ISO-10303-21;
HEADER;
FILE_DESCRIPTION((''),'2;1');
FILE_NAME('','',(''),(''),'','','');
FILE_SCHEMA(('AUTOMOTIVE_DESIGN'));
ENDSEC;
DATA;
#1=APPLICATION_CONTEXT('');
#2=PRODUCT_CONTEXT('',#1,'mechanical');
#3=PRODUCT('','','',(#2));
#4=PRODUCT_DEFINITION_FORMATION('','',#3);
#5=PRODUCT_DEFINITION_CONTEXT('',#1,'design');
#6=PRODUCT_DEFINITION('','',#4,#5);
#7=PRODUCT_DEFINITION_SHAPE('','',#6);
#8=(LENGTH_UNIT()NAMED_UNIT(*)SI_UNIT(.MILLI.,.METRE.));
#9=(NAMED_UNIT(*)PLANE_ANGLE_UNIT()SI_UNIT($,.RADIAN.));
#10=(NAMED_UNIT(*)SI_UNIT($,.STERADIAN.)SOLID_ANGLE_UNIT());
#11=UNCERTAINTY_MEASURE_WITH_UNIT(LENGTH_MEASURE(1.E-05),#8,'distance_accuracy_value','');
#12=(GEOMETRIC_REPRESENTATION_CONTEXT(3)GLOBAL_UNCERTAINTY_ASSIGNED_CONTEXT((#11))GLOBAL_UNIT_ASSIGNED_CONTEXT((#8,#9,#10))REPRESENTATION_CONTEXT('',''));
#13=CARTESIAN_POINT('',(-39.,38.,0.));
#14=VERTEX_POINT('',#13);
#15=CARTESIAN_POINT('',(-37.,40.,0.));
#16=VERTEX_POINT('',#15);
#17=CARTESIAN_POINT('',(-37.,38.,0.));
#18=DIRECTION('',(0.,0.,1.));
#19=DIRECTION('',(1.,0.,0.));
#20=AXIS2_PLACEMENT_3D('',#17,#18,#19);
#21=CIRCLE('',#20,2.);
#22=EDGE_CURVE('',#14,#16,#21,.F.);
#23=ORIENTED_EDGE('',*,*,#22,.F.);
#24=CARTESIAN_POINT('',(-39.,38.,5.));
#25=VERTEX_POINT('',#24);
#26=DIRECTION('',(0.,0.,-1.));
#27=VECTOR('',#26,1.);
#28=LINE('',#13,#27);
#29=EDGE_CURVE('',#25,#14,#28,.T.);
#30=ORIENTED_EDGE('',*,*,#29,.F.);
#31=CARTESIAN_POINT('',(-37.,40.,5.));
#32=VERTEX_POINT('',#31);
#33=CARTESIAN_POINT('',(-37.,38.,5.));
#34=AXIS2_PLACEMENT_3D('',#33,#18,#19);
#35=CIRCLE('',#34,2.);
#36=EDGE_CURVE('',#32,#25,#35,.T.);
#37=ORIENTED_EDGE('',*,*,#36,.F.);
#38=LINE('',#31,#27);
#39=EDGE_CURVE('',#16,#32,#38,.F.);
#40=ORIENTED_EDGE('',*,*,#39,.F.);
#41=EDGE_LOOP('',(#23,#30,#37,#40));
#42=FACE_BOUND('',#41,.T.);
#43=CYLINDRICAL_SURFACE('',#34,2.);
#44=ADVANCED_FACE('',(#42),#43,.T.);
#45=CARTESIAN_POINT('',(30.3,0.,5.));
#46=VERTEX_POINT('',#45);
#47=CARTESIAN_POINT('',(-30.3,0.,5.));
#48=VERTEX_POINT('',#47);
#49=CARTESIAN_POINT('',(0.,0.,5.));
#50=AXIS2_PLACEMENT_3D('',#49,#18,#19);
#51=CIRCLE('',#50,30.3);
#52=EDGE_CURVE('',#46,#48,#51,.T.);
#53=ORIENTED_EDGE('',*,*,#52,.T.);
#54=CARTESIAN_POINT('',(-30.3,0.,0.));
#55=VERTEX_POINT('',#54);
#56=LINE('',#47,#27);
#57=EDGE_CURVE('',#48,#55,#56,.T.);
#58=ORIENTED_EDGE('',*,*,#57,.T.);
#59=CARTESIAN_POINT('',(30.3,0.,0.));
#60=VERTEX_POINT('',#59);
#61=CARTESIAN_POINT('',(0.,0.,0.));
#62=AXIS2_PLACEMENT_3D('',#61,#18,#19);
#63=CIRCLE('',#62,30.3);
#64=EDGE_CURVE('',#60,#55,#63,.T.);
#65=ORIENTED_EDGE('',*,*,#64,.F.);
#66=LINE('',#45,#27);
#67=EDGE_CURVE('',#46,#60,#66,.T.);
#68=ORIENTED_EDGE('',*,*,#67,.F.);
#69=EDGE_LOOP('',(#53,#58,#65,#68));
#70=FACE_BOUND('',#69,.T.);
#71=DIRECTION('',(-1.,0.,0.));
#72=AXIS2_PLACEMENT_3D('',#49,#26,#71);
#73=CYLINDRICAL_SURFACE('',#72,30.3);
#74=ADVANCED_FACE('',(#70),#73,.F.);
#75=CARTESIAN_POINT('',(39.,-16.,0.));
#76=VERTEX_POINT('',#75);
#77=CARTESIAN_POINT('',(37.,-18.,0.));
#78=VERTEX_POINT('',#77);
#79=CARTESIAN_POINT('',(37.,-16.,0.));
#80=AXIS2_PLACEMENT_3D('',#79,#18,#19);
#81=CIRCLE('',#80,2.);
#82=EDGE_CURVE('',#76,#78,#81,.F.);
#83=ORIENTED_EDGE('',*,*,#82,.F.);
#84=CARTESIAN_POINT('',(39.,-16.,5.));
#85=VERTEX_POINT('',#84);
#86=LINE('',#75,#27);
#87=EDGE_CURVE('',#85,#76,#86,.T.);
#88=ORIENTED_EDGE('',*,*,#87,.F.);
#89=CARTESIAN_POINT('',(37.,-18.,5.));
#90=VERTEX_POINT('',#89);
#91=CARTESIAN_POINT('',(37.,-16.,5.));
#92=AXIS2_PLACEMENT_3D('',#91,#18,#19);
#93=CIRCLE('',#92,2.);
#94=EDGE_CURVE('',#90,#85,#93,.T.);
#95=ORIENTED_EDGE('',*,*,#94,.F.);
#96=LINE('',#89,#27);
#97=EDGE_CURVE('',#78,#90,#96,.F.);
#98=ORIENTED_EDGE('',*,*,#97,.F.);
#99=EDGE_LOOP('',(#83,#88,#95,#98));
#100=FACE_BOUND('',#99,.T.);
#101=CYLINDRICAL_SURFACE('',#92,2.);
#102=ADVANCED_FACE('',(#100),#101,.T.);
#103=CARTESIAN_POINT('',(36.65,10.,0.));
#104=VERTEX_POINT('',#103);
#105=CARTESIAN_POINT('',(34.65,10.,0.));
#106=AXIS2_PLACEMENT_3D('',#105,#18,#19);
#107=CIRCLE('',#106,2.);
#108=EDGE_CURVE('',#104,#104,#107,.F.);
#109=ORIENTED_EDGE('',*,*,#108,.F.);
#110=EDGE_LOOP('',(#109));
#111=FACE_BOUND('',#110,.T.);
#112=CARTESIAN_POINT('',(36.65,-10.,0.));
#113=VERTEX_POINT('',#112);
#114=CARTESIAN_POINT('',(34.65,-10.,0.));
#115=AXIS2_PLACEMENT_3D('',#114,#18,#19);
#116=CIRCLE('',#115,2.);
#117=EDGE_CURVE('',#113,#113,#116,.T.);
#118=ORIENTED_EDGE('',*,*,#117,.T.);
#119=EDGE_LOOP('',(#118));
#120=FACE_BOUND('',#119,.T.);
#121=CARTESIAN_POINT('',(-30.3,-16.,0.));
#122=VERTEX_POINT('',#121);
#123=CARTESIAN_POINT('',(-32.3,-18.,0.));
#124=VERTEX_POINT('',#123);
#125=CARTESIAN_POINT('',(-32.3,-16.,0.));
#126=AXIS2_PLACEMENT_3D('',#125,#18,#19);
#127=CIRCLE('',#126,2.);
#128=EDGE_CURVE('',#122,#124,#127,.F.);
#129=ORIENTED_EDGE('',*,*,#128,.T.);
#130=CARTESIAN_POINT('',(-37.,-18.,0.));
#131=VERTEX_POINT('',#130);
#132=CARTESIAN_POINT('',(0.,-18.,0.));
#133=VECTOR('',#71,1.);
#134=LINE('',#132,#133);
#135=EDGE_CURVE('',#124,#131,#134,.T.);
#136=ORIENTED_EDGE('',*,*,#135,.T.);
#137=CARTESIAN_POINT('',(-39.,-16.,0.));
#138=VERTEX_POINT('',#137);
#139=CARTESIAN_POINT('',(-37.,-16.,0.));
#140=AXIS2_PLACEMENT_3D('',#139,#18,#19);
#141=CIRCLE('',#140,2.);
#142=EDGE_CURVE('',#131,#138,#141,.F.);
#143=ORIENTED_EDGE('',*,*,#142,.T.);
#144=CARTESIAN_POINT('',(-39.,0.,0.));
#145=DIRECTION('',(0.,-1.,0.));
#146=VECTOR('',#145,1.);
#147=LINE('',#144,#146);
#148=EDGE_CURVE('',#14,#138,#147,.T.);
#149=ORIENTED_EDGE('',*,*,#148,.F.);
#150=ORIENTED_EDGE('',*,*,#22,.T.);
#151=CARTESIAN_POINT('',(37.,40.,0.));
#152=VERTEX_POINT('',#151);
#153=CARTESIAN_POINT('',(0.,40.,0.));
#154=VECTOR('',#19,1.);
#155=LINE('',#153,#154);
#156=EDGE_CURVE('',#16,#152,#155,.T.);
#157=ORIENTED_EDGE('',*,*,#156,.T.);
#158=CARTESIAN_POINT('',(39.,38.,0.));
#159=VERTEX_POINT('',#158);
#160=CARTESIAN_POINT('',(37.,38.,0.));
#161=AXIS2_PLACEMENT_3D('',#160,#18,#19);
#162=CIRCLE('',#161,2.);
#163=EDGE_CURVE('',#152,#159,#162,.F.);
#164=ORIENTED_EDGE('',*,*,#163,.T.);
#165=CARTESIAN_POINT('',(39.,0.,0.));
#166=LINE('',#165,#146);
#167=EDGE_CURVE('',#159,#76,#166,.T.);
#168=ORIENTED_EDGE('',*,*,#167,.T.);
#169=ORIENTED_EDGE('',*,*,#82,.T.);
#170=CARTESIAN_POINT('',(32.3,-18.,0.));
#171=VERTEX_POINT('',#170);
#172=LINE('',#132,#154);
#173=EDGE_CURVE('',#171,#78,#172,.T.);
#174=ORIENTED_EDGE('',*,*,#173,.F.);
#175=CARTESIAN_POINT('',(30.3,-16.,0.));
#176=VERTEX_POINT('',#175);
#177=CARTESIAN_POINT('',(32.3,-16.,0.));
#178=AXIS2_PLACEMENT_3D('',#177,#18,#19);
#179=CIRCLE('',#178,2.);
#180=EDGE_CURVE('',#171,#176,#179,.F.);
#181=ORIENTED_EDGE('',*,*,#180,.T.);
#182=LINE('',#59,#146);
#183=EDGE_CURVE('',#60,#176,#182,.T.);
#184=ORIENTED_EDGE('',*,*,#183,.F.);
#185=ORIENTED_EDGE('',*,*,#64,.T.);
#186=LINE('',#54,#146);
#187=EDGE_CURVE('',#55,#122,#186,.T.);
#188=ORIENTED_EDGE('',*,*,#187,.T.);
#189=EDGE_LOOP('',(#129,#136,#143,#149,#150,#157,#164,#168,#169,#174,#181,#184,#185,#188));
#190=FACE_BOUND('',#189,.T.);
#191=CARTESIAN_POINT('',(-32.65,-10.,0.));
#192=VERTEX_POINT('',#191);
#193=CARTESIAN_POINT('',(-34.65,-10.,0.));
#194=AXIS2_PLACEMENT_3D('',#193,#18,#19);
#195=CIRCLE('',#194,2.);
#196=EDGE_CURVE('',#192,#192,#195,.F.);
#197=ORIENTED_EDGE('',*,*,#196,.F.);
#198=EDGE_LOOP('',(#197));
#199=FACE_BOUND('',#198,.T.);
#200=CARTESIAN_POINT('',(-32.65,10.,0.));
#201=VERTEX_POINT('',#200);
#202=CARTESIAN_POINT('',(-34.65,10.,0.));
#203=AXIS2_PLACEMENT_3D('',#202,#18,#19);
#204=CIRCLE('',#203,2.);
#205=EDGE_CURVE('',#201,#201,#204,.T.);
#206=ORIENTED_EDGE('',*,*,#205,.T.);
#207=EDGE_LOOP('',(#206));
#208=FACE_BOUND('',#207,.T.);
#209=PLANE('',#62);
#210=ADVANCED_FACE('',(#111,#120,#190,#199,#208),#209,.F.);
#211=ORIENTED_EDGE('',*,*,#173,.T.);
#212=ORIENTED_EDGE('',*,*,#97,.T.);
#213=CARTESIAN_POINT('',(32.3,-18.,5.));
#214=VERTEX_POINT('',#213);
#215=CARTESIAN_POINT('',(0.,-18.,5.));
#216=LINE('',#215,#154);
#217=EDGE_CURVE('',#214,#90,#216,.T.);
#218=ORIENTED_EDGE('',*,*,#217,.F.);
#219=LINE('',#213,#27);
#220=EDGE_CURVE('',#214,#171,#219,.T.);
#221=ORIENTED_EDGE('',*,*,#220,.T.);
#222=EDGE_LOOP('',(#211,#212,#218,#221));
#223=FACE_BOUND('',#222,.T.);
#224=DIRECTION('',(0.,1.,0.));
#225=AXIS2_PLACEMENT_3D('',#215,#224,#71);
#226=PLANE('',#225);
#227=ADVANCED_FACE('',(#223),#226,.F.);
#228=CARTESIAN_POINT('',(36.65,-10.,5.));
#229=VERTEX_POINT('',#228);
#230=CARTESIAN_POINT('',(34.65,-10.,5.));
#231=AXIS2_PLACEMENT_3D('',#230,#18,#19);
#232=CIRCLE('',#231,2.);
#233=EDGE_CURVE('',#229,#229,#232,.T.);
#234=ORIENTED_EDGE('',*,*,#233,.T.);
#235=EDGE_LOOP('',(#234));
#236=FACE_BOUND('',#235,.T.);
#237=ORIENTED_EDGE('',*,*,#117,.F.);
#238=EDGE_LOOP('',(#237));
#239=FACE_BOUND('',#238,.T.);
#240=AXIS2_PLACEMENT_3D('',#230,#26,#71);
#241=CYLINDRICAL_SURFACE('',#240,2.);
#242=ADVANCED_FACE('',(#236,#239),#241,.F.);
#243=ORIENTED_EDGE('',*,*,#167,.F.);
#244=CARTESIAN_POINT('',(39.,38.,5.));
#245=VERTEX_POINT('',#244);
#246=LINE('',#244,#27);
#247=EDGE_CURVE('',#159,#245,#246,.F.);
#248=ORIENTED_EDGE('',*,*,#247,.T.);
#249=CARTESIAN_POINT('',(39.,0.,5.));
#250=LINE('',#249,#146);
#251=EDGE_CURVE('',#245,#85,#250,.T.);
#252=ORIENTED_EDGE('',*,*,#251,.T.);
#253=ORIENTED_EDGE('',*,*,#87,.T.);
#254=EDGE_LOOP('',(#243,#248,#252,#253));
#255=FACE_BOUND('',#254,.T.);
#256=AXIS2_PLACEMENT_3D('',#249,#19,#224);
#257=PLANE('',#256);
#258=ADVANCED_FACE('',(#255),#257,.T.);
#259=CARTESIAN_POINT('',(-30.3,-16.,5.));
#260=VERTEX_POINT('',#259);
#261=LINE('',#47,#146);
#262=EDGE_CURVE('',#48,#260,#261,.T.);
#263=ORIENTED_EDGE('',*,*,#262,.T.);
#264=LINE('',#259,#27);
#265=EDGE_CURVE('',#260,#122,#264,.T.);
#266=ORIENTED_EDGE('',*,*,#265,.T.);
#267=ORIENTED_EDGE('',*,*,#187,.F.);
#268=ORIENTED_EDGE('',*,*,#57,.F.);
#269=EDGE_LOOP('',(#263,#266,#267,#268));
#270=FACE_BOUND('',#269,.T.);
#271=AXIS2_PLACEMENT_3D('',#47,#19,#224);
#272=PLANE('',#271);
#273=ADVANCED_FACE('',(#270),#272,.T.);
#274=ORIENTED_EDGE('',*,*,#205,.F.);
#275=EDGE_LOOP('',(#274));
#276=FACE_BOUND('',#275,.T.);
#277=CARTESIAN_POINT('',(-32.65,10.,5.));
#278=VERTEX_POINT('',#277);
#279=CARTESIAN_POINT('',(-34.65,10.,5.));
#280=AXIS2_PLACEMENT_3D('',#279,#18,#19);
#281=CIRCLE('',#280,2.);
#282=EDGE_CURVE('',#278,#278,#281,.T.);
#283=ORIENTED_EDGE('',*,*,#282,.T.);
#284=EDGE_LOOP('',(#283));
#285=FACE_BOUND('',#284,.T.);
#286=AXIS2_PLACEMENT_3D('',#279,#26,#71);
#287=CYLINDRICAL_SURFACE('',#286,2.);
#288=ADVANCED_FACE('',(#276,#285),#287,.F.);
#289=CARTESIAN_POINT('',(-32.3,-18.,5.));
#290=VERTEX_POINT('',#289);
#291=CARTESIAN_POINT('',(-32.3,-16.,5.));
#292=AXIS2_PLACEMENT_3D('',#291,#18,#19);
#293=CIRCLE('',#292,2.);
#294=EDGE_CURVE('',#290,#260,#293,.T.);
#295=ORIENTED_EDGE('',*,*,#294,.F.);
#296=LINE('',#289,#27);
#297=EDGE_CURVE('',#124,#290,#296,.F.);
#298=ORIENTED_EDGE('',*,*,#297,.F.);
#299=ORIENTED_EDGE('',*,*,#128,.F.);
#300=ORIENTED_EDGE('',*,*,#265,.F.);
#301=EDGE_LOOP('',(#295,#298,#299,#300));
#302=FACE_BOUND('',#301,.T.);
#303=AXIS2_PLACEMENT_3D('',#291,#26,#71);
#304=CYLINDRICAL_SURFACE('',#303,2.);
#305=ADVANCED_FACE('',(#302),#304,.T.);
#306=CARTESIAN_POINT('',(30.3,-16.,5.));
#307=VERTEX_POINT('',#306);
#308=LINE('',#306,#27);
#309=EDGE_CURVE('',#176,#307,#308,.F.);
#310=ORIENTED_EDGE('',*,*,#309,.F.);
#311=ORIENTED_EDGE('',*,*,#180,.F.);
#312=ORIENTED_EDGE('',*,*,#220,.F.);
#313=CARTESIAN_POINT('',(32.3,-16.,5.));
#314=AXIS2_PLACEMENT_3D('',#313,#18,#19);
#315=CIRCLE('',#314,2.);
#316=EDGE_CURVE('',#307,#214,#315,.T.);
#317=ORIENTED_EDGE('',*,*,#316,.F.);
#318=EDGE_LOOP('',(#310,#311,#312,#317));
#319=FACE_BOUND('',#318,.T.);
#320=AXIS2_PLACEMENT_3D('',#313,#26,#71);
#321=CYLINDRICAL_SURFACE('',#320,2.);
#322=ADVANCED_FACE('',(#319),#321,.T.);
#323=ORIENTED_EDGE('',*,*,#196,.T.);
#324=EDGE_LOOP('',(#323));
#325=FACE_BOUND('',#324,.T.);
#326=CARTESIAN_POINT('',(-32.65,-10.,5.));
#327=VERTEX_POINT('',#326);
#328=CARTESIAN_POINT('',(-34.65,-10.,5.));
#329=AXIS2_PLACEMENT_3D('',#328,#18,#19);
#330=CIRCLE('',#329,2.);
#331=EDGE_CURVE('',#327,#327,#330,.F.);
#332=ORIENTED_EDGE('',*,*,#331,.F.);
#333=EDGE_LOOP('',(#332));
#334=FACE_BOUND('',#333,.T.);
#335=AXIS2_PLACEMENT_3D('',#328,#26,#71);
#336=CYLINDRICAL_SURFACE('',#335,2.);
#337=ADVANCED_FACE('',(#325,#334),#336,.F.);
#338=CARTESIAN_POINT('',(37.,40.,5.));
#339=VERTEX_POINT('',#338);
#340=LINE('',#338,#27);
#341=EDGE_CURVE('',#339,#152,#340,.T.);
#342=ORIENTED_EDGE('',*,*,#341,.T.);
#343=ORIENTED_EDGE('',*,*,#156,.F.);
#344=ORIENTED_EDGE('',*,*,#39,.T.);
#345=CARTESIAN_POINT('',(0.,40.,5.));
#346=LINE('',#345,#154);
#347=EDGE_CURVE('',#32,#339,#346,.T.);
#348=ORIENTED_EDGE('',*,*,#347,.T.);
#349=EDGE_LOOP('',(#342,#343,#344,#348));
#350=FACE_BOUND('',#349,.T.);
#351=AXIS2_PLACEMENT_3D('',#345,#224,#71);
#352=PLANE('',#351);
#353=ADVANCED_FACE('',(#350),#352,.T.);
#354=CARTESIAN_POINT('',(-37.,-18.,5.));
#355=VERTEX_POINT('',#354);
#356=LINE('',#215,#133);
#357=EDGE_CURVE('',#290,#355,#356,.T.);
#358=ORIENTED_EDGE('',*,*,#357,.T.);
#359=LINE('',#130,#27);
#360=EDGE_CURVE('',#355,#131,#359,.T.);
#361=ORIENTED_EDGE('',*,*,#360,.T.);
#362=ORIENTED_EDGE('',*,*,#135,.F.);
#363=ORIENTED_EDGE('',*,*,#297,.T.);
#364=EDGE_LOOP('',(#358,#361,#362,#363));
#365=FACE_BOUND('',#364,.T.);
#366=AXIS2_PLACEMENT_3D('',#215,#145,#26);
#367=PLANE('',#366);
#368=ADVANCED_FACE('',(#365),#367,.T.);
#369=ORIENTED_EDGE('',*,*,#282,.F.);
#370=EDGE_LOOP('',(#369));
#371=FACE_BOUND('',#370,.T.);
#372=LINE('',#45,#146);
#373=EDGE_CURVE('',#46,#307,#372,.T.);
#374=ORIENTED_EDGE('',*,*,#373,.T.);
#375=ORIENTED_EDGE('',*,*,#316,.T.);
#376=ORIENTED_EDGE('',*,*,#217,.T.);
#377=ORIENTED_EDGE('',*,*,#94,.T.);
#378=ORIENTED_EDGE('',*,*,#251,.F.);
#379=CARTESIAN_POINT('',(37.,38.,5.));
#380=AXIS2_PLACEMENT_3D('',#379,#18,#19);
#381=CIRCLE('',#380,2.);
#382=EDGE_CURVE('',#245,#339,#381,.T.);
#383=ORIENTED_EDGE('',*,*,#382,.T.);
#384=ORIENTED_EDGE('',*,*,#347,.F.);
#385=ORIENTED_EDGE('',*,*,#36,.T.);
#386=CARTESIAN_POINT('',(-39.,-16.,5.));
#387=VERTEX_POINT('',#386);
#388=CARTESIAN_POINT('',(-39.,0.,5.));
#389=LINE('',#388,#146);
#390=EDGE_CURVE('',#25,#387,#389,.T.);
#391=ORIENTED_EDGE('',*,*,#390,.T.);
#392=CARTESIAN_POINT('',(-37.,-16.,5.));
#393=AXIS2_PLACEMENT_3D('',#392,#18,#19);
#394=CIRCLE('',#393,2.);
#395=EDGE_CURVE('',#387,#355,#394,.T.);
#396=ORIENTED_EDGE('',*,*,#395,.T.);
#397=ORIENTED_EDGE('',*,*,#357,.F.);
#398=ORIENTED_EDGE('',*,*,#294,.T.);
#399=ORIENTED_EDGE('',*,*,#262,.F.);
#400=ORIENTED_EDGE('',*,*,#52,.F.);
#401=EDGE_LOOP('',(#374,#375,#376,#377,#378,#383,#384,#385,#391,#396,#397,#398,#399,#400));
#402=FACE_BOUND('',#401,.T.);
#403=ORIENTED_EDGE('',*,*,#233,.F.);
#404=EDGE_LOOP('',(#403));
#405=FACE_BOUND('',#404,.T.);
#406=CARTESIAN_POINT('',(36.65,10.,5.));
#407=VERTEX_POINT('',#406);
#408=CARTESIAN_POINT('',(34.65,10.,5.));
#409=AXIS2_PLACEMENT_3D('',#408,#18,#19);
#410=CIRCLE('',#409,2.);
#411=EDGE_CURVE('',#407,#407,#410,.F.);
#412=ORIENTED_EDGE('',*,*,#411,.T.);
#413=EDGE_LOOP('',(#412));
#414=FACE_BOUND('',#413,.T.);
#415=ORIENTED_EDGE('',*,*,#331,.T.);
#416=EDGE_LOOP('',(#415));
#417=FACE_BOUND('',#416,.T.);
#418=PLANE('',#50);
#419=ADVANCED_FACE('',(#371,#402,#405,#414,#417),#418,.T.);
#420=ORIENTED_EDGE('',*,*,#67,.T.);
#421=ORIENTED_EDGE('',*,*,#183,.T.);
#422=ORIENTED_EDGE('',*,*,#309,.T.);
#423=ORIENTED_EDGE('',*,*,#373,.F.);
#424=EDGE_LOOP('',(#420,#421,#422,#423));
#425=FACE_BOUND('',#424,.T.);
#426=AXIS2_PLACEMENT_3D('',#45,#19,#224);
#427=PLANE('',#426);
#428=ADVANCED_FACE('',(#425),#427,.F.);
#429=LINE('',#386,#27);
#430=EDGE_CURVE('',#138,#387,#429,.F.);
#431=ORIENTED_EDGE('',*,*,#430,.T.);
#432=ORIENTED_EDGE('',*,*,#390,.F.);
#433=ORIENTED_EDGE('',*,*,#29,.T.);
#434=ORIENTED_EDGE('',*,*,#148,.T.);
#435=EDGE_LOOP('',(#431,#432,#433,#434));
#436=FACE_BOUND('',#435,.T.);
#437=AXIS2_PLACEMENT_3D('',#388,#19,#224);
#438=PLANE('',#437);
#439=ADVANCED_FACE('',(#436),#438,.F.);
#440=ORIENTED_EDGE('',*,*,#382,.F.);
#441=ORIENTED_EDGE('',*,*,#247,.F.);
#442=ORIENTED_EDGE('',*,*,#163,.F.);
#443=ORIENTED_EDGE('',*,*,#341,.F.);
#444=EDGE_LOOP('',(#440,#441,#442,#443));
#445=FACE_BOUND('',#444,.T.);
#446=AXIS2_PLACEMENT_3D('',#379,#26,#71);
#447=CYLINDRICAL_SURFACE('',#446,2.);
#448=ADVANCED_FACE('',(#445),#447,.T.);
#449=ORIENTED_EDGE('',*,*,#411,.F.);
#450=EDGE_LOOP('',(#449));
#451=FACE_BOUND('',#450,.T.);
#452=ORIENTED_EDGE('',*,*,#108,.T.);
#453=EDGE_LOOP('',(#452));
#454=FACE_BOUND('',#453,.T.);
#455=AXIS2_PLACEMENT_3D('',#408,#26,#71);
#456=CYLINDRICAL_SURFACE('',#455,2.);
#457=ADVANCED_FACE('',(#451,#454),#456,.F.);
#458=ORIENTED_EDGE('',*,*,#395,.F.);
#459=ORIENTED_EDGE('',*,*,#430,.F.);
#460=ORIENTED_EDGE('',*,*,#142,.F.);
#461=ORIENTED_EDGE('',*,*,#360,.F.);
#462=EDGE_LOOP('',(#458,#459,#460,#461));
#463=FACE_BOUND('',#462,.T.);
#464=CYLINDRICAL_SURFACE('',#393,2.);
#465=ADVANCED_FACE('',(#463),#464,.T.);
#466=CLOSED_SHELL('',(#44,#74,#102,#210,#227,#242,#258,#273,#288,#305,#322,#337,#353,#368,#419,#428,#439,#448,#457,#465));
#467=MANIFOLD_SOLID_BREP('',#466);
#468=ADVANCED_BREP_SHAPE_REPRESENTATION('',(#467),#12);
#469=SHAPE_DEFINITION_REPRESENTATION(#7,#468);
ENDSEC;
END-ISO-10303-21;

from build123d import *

# Parameters (mm, degrees)
SKETCH_1_R      = 2
SKETCH_1_W      = 8.7
SKETCH_1_H      = 18
EXTRUDE_1_DEPTH = 5
FILLET_1_R      = 2


with BuildPart() as part:
    # 草图1 → 凸台-拉伸1 (new body)
    # profile 1 of 3: a face of its own
    with BuildSketch(Plane.XY):
        with BuildLine():
            Line((39, 40), (-39, 40))
            Line((-39, 40), (-39, 0))
            Line((-39, 0), (-30.3, 0))
            ThreePointArc((-30.3, 0), (0, 30.3), (30.3, 0))
            Line((30.3, 0), (39, 0))
            Line((39, 0), (39, 40))
        make_face()
        with Locations((-34.65, 10)):
            Circle(SKETCH_1_R, mode=Mode.SUBTRACT)
        with Locations((34.65, 10)):
            Circle(SKETCH_1_R, mode=Mode.SUBTRACT)
    # profile 2 of 3: a face of its own
    with BuildSketch(Plane.XY):
        with Locations((-34.65, -9)):
            Rectangle(SKETCH_1_W, SKETCH_1_H)
        with Locations((-34.65, -10)):
            Circle(SKETCH_1_R, mode=Mode.SUBTRACT)
    # profile 3 of 3: a face of its own
    with BuildSketch(Plane.XY):
        with Locations((34.65, -9)):
            Rectangle(SKETCH_1_W, SKETCH_1_H)
        with Locations((34.65, -10)):
            Circle(SKETCH_1_R, mode=Mode.SUBTRACT)
    extrude(amount=EXTRUDE_1_DEPTH)

    # 圆角1
    fillet_1_edges = [part.edges().sort_by_distance(p)[0] for p in [
        (-30.3, -18, 2.5),
        (-39, -18, 2.5),
        (-39, 40, 2.5),
        (39, 40, 2.5),
        (39, -18, 2.5),
        (30.3, -18, 2.5),
    ]]
    fillet(fillet_1_edges, radius=FILLET_1_R)


solid = part.part
